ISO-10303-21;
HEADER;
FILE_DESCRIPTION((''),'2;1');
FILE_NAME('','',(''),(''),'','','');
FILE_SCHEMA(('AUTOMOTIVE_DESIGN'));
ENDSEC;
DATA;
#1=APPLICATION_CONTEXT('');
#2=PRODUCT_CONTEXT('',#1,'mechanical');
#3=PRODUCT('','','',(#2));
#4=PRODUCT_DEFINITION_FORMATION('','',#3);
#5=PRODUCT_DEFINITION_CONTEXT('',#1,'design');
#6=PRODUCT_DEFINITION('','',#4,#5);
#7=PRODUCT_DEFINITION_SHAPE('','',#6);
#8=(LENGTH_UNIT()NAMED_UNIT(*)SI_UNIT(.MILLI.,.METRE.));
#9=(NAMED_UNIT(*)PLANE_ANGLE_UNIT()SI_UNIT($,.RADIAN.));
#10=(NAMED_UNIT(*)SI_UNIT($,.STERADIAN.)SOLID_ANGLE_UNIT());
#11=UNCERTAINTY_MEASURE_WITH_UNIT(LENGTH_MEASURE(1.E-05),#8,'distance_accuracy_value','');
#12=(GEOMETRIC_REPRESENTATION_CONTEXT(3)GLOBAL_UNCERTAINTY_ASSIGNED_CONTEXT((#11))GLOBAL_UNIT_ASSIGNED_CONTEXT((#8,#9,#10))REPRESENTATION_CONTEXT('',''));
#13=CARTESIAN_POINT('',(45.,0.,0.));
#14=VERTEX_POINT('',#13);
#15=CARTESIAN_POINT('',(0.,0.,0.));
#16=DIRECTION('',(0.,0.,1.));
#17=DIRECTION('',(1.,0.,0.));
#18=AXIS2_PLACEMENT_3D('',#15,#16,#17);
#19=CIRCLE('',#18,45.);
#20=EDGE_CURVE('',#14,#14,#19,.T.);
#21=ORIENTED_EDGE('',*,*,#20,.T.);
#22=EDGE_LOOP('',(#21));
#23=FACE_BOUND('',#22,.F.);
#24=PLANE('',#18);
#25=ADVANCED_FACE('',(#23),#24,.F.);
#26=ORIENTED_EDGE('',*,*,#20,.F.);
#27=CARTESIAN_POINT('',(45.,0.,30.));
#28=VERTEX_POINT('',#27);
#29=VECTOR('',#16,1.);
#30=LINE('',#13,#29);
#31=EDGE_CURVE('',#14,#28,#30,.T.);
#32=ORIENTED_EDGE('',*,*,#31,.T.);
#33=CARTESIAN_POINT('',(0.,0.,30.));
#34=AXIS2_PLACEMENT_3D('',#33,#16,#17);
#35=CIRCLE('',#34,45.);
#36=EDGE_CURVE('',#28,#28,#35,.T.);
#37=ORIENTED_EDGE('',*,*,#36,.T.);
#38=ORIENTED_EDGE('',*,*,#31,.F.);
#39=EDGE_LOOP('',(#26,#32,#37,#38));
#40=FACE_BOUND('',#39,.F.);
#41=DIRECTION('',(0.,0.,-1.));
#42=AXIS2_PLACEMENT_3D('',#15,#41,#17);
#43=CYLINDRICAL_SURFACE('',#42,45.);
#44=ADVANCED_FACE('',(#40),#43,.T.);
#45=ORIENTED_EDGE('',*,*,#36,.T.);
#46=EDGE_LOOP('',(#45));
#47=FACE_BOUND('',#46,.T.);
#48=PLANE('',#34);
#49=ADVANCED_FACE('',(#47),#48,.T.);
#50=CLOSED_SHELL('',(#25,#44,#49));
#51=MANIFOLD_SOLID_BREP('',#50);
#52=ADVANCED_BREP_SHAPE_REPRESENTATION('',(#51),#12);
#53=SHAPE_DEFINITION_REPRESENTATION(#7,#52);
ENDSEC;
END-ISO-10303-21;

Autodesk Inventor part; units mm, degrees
ref_plane "YZ Plane" through (0, 0, 0) normal (1, 0, 0) x (0, 1, 0)
ref_plane "XZ Plane" through (0, 0, 0) normal (0, 1, 0) x (-1, 0, 0)
ref_plane "XY Plane" through (0, 0, 0) normal (0, 0, 1) x (1, 0, 0)
sketch "Skizze1" plane through (0, 0, 0) normal (0, 0, 1) x (1, 0, 0)
  circle A0 centre (0, 0) radius 45
  dimension "d0" = 90
extrude "Extrusion1" add sketch "Skizze1" along normal blind 30
properties part number "Baldachin Form"
